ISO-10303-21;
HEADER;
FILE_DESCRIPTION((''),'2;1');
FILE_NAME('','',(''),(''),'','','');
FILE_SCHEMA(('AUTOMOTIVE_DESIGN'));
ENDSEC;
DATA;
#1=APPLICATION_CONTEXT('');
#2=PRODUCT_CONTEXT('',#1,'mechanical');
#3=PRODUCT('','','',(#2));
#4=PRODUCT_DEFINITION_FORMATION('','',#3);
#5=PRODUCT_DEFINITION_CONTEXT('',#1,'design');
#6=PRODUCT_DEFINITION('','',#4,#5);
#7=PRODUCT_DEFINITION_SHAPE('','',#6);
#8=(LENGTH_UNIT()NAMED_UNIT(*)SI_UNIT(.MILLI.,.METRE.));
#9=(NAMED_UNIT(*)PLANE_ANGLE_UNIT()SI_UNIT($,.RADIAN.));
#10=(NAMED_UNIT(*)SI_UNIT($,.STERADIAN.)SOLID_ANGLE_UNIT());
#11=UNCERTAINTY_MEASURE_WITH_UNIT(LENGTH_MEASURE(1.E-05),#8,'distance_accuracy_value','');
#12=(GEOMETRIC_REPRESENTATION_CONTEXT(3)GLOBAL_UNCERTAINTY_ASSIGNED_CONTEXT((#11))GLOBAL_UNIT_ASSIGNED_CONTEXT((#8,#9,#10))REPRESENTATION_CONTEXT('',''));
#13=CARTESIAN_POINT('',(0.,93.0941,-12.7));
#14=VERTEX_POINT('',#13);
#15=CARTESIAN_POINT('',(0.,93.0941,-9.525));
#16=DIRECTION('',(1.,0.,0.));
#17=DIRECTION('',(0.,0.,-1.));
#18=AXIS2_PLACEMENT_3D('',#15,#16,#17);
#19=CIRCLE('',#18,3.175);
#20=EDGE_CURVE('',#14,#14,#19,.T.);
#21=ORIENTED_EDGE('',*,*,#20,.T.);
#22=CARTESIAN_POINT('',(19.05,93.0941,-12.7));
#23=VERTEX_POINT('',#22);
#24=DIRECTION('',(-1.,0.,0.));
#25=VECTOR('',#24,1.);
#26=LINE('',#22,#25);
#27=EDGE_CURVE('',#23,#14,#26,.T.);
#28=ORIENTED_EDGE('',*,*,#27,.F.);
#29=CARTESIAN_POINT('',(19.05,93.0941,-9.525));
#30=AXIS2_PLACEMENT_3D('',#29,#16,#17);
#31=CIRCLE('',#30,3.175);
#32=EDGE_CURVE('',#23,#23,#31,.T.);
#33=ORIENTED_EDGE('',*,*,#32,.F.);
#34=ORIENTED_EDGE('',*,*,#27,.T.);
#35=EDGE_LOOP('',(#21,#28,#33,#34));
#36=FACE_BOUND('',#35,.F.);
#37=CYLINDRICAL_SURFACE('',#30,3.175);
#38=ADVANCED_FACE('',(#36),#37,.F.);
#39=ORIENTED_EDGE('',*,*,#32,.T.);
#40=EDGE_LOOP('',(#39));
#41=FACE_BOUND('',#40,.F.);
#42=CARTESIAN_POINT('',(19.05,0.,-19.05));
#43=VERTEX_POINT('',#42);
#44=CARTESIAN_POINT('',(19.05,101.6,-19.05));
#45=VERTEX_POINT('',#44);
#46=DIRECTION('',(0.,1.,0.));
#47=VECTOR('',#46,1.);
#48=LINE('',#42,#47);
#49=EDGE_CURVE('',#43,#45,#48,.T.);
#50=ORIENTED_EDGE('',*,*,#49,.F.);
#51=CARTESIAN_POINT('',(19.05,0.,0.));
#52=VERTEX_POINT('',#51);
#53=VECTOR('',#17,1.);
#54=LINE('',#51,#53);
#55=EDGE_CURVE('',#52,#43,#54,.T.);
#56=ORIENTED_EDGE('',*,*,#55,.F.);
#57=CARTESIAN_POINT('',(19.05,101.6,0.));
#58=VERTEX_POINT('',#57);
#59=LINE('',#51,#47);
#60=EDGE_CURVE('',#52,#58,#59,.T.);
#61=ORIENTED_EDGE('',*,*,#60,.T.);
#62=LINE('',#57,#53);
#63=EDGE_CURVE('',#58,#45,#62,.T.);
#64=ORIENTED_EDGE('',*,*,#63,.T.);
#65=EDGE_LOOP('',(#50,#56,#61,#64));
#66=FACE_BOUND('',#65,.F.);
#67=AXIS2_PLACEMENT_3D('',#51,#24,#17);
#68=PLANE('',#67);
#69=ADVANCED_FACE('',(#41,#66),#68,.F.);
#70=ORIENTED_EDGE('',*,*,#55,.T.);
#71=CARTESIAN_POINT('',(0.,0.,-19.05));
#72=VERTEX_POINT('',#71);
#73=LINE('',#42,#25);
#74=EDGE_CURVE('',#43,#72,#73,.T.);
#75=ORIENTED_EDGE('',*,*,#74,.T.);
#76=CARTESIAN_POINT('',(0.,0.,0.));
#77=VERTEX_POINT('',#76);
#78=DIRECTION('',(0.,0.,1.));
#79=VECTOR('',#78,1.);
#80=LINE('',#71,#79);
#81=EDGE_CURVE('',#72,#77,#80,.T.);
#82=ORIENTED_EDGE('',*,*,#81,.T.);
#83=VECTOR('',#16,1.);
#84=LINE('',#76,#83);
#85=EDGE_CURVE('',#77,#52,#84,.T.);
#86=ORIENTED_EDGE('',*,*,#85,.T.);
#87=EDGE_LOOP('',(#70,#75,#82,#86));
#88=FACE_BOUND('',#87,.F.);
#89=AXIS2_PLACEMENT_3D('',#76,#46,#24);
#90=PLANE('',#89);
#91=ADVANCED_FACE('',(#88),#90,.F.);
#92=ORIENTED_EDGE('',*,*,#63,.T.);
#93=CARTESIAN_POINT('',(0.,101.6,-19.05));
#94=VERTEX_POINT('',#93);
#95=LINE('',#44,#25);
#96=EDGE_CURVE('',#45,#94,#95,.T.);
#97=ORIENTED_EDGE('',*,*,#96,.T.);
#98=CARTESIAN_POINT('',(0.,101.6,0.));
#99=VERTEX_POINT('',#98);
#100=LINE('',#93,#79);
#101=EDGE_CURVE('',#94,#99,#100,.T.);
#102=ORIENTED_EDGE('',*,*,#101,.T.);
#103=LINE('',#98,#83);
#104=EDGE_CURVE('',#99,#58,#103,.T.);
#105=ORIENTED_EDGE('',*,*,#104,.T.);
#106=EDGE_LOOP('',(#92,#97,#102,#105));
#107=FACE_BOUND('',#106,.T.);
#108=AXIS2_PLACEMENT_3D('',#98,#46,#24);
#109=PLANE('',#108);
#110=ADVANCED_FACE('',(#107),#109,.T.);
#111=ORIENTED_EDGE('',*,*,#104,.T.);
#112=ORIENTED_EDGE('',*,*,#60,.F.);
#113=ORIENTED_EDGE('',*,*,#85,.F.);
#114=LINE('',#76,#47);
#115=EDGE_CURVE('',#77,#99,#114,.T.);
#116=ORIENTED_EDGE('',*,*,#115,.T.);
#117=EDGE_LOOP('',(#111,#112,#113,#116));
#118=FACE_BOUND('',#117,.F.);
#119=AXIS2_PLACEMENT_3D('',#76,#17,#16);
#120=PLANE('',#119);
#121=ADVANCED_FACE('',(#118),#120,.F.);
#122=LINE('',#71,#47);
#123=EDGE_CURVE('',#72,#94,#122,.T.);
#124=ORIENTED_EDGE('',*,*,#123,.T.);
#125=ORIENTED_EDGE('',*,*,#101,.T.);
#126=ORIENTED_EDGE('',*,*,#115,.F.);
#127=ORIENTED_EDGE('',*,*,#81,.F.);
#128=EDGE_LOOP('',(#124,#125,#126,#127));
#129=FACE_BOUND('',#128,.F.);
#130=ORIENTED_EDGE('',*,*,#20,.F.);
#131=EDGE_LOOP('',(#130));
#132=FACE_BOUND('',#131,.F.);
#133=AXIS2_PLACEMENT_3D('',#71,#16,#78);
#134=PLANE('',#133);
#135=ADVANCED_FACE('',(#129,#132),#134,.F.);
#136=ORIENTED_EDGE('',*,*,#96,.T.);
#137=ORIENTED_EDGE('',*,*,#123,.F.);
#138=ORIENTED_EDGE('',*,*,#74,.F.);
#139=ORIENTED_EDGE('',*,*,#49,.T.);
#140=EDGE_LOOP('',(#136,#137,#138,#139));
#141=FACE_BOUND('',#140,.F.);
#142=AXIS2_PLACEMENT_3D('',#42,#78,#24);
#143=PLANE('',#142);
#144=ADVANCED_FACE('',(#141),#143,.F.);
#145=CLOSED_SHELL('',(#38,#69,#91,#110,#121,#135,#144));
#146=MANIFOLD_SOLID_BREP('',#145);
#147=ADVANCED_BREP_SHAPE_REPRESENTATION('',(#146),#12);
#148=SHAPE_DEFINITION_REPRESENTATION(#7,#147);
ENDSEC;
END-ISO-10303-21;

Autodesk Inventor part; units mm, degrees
ref_plane "YZ Plane" through (0, 0, 0) normal (1, 0, 0) x (0, 1, 0)
ref_plane "XZ Plane" through (0, 0, 0) normal (0, 1, 0) x (-1, 0, 0)
ref_plane "XY Plane" through (0, 0, 0) normal (0, 0, 1) x (1, 0, 0)
sketch "Sketch1" plane through (0, 0, 0) normal (0, 1, 0) x (-1, 0, 0)
  line L0 (0, 0) -> (-19.05, 0)
  line L1 (-19.05, 0) -> (-19.05, -19.05)
  line L2 (-19.05, -19.05) -> (0, -19.05)
  line L3 (0, -19.05) -> (0, 0)
  dimension "d0" = 19.05
  dimension "d1" = 19.05
extrude "Extrusion1" add sketch "Sketch1" along normal blind 101.6
sketch "Sketch2" plane through (19.05, 0, 0) normal (1, 0, 0) x (0, 0, -1)
  line L0 (0, 101.6) -> (19.05, 101.6) construction
  line L1 (9.525, 101.6) -> (9.525, 0) construction
  line L2 (0, 0) -> (19.05, 0) construction
  line L3 (0, 0) -> (0, 101.6) construction
  line L4 (0, 93.0941) -> (19.4916, 93.0941) construction
  circle A0 centre (9.525, 93.0941) radius 3.175
  dimension "d4" = 6.35
extrude "Extrusion2" cut sketch "Sketch2" against normal through all
properties part number "arm holder mount thing"
